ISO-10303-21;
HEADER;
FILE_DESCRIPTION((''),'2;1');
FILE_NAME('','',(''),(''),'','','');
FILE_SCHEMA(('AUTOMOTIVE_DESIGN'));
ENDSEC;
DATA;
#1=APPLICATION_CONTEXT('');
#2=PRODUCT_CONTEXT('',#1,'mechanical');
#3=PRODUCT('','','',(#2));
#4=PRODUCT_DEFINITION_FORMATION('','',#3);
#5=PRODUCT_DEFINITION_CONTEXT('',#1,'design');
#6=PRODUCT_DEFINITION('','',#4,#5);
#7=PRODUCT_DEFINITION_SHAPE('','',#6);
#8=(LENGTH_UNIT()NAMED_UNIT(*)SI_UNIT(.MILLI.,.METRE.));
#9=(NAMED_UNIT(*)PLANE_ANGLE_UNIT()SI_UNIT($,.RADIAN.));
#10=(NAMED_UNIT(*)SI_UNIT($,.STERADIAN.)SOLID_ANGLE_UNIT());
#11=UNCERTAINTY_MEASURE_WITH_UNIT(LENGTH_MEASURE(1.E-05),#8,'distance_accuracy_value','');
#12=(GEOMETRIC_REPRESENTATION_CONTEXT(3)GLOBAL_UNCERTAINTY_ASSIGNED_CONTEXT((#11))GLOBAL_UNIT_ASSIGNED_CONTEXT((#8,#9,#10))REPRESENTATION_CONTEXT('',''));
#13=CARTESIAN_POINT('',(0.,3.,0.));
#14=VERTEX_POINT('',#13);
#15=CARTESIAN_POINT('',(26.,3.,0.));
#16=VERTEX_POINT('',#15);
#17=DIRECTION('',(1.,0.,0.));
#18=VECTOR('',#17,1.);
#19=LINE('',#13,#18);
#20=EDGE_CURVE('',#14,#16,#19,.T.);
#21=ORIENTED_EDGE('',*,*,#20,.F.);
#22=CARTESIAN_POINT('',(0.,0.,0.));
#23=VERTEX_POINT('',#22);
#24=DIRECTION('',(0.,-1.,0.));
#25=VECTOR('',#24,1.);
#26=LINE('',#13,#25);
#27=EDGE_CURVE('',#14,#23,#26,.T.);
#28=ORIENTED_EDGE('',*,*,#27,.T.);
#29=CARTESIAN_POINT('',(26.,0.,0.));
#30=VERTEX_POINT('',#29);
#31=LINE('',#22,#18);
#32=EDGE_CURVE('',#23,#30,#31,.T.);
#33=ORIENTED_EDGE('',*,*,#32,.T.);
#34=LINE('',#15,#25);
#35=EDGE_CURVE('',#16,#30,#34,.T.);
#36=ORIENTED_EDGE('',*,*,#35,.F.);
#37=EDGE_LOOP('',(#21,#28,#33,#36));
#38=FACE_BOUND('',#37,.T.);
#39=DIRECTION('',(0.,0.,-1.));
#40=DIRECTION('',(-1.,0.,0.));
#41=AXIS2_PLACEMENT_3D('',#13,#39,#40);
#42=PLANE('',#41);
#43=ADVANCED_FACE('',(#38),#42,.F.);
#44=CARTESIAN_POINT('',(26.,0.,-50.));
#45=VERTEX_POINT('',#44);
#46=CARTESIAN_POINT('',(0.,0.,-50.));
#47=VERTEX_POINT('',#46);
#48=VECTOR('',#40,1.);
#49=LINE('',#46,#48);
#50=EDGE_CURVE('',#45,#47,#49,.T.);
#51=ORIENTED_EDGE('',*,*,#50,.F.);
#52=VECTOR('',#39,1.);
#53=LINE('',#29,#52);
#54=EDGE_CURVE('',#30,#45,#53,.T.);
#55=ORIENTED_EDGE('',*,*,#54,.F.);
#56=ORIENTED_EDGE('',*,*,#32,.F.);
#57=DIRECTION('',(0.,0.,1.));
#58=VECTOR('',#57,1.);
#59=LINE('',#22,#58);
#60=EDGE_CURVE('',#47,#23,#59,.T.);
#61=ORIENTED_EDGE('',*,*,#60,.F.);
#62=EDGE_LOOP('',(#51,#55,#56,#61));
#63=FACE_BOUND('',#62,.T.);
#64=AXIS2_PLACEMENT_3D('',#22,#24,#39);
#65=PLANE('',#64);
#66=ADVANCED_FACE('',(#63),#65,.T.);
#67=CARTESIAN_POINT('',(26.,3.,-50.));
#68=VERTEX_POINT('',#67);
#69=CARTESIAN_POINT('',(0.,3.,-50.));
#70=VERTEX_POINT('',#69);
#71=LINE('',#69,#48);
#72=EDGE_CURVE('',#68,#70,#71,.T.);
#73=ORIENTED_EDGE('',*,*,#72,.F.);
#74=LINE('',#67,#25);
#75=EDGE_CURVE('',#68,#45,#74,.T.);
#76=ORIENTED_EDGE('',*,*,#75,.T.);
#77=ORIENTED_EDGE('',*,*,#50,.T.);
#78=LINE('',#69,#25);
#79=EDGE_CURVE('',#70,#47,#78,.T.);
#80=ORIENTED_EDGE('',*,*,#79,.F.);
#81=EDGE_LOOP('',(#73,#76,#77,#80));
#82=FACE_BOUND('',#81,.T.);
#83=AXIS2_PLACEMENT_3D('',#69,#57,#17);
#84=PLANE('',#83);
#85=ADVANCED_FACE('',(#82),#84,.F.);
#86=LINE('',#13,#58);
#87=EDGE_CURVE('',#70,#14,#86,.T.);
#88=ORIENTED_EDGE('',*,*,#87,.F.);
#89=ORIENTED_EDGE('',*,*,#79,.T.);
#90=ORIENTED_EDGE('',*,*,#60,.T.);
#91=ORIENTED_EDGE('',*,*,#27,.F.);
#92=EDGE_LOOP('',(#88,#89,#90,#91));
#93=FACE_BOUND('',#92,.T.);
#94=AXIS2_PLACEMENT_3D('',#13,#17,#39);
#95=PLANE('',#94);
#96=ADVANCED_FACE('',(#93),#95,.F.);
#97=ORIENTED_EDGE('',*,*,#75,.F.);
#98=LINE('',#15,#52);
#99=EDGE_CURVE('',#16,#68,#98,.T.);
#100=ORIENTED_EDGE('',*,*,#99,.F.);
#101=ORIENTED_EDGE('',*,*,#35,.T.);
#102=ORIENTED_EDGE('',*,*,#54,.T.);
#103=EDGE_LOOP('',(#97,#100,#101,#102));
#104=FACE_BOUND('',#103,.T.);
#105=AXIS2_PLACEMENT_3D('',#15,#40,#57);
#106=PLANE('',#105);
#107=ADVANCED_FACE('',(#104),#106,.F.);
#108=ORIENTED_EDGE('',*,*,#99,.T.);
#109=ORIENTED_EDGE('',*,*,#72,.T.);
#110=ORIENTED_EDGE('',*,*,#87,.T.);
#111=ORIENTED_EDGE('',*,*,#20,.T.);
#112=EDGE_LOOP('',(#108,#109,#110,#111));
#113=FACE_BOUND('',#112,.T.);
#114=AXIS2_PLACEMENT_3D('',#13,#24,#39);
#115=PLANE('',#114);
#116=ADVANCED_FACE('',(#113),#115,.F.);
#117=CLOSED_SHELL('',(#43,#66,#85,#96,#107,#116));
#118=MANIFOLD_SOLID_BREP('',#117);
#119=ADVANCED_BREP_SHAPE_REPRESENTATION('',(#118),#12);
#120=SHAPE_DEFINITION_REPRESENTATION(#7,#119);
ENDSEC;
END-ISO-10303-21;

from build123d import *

# Parameters (mm, degrees)
CROQUIS1_W              = 26
CROQUIS1_H              = 50
SALIENTE_EXTRUIR1_DEPTH = 3


with BuildPart() as part:
    # Croquis1 → Saliente-Extruir1 (new body)
    with BuildSketch(Plane(origin=(0, 0, 0), x_dir=(1, 0, 0), z_dir=(0, 1, 0))):
        with Locations((13, 25)):
            Rectangle(CROQUIS1_W, CROQUIS1_H)
    extrude(amount=SALIENTE_EXTRUIR1_DEPTH)


solid = part.part
